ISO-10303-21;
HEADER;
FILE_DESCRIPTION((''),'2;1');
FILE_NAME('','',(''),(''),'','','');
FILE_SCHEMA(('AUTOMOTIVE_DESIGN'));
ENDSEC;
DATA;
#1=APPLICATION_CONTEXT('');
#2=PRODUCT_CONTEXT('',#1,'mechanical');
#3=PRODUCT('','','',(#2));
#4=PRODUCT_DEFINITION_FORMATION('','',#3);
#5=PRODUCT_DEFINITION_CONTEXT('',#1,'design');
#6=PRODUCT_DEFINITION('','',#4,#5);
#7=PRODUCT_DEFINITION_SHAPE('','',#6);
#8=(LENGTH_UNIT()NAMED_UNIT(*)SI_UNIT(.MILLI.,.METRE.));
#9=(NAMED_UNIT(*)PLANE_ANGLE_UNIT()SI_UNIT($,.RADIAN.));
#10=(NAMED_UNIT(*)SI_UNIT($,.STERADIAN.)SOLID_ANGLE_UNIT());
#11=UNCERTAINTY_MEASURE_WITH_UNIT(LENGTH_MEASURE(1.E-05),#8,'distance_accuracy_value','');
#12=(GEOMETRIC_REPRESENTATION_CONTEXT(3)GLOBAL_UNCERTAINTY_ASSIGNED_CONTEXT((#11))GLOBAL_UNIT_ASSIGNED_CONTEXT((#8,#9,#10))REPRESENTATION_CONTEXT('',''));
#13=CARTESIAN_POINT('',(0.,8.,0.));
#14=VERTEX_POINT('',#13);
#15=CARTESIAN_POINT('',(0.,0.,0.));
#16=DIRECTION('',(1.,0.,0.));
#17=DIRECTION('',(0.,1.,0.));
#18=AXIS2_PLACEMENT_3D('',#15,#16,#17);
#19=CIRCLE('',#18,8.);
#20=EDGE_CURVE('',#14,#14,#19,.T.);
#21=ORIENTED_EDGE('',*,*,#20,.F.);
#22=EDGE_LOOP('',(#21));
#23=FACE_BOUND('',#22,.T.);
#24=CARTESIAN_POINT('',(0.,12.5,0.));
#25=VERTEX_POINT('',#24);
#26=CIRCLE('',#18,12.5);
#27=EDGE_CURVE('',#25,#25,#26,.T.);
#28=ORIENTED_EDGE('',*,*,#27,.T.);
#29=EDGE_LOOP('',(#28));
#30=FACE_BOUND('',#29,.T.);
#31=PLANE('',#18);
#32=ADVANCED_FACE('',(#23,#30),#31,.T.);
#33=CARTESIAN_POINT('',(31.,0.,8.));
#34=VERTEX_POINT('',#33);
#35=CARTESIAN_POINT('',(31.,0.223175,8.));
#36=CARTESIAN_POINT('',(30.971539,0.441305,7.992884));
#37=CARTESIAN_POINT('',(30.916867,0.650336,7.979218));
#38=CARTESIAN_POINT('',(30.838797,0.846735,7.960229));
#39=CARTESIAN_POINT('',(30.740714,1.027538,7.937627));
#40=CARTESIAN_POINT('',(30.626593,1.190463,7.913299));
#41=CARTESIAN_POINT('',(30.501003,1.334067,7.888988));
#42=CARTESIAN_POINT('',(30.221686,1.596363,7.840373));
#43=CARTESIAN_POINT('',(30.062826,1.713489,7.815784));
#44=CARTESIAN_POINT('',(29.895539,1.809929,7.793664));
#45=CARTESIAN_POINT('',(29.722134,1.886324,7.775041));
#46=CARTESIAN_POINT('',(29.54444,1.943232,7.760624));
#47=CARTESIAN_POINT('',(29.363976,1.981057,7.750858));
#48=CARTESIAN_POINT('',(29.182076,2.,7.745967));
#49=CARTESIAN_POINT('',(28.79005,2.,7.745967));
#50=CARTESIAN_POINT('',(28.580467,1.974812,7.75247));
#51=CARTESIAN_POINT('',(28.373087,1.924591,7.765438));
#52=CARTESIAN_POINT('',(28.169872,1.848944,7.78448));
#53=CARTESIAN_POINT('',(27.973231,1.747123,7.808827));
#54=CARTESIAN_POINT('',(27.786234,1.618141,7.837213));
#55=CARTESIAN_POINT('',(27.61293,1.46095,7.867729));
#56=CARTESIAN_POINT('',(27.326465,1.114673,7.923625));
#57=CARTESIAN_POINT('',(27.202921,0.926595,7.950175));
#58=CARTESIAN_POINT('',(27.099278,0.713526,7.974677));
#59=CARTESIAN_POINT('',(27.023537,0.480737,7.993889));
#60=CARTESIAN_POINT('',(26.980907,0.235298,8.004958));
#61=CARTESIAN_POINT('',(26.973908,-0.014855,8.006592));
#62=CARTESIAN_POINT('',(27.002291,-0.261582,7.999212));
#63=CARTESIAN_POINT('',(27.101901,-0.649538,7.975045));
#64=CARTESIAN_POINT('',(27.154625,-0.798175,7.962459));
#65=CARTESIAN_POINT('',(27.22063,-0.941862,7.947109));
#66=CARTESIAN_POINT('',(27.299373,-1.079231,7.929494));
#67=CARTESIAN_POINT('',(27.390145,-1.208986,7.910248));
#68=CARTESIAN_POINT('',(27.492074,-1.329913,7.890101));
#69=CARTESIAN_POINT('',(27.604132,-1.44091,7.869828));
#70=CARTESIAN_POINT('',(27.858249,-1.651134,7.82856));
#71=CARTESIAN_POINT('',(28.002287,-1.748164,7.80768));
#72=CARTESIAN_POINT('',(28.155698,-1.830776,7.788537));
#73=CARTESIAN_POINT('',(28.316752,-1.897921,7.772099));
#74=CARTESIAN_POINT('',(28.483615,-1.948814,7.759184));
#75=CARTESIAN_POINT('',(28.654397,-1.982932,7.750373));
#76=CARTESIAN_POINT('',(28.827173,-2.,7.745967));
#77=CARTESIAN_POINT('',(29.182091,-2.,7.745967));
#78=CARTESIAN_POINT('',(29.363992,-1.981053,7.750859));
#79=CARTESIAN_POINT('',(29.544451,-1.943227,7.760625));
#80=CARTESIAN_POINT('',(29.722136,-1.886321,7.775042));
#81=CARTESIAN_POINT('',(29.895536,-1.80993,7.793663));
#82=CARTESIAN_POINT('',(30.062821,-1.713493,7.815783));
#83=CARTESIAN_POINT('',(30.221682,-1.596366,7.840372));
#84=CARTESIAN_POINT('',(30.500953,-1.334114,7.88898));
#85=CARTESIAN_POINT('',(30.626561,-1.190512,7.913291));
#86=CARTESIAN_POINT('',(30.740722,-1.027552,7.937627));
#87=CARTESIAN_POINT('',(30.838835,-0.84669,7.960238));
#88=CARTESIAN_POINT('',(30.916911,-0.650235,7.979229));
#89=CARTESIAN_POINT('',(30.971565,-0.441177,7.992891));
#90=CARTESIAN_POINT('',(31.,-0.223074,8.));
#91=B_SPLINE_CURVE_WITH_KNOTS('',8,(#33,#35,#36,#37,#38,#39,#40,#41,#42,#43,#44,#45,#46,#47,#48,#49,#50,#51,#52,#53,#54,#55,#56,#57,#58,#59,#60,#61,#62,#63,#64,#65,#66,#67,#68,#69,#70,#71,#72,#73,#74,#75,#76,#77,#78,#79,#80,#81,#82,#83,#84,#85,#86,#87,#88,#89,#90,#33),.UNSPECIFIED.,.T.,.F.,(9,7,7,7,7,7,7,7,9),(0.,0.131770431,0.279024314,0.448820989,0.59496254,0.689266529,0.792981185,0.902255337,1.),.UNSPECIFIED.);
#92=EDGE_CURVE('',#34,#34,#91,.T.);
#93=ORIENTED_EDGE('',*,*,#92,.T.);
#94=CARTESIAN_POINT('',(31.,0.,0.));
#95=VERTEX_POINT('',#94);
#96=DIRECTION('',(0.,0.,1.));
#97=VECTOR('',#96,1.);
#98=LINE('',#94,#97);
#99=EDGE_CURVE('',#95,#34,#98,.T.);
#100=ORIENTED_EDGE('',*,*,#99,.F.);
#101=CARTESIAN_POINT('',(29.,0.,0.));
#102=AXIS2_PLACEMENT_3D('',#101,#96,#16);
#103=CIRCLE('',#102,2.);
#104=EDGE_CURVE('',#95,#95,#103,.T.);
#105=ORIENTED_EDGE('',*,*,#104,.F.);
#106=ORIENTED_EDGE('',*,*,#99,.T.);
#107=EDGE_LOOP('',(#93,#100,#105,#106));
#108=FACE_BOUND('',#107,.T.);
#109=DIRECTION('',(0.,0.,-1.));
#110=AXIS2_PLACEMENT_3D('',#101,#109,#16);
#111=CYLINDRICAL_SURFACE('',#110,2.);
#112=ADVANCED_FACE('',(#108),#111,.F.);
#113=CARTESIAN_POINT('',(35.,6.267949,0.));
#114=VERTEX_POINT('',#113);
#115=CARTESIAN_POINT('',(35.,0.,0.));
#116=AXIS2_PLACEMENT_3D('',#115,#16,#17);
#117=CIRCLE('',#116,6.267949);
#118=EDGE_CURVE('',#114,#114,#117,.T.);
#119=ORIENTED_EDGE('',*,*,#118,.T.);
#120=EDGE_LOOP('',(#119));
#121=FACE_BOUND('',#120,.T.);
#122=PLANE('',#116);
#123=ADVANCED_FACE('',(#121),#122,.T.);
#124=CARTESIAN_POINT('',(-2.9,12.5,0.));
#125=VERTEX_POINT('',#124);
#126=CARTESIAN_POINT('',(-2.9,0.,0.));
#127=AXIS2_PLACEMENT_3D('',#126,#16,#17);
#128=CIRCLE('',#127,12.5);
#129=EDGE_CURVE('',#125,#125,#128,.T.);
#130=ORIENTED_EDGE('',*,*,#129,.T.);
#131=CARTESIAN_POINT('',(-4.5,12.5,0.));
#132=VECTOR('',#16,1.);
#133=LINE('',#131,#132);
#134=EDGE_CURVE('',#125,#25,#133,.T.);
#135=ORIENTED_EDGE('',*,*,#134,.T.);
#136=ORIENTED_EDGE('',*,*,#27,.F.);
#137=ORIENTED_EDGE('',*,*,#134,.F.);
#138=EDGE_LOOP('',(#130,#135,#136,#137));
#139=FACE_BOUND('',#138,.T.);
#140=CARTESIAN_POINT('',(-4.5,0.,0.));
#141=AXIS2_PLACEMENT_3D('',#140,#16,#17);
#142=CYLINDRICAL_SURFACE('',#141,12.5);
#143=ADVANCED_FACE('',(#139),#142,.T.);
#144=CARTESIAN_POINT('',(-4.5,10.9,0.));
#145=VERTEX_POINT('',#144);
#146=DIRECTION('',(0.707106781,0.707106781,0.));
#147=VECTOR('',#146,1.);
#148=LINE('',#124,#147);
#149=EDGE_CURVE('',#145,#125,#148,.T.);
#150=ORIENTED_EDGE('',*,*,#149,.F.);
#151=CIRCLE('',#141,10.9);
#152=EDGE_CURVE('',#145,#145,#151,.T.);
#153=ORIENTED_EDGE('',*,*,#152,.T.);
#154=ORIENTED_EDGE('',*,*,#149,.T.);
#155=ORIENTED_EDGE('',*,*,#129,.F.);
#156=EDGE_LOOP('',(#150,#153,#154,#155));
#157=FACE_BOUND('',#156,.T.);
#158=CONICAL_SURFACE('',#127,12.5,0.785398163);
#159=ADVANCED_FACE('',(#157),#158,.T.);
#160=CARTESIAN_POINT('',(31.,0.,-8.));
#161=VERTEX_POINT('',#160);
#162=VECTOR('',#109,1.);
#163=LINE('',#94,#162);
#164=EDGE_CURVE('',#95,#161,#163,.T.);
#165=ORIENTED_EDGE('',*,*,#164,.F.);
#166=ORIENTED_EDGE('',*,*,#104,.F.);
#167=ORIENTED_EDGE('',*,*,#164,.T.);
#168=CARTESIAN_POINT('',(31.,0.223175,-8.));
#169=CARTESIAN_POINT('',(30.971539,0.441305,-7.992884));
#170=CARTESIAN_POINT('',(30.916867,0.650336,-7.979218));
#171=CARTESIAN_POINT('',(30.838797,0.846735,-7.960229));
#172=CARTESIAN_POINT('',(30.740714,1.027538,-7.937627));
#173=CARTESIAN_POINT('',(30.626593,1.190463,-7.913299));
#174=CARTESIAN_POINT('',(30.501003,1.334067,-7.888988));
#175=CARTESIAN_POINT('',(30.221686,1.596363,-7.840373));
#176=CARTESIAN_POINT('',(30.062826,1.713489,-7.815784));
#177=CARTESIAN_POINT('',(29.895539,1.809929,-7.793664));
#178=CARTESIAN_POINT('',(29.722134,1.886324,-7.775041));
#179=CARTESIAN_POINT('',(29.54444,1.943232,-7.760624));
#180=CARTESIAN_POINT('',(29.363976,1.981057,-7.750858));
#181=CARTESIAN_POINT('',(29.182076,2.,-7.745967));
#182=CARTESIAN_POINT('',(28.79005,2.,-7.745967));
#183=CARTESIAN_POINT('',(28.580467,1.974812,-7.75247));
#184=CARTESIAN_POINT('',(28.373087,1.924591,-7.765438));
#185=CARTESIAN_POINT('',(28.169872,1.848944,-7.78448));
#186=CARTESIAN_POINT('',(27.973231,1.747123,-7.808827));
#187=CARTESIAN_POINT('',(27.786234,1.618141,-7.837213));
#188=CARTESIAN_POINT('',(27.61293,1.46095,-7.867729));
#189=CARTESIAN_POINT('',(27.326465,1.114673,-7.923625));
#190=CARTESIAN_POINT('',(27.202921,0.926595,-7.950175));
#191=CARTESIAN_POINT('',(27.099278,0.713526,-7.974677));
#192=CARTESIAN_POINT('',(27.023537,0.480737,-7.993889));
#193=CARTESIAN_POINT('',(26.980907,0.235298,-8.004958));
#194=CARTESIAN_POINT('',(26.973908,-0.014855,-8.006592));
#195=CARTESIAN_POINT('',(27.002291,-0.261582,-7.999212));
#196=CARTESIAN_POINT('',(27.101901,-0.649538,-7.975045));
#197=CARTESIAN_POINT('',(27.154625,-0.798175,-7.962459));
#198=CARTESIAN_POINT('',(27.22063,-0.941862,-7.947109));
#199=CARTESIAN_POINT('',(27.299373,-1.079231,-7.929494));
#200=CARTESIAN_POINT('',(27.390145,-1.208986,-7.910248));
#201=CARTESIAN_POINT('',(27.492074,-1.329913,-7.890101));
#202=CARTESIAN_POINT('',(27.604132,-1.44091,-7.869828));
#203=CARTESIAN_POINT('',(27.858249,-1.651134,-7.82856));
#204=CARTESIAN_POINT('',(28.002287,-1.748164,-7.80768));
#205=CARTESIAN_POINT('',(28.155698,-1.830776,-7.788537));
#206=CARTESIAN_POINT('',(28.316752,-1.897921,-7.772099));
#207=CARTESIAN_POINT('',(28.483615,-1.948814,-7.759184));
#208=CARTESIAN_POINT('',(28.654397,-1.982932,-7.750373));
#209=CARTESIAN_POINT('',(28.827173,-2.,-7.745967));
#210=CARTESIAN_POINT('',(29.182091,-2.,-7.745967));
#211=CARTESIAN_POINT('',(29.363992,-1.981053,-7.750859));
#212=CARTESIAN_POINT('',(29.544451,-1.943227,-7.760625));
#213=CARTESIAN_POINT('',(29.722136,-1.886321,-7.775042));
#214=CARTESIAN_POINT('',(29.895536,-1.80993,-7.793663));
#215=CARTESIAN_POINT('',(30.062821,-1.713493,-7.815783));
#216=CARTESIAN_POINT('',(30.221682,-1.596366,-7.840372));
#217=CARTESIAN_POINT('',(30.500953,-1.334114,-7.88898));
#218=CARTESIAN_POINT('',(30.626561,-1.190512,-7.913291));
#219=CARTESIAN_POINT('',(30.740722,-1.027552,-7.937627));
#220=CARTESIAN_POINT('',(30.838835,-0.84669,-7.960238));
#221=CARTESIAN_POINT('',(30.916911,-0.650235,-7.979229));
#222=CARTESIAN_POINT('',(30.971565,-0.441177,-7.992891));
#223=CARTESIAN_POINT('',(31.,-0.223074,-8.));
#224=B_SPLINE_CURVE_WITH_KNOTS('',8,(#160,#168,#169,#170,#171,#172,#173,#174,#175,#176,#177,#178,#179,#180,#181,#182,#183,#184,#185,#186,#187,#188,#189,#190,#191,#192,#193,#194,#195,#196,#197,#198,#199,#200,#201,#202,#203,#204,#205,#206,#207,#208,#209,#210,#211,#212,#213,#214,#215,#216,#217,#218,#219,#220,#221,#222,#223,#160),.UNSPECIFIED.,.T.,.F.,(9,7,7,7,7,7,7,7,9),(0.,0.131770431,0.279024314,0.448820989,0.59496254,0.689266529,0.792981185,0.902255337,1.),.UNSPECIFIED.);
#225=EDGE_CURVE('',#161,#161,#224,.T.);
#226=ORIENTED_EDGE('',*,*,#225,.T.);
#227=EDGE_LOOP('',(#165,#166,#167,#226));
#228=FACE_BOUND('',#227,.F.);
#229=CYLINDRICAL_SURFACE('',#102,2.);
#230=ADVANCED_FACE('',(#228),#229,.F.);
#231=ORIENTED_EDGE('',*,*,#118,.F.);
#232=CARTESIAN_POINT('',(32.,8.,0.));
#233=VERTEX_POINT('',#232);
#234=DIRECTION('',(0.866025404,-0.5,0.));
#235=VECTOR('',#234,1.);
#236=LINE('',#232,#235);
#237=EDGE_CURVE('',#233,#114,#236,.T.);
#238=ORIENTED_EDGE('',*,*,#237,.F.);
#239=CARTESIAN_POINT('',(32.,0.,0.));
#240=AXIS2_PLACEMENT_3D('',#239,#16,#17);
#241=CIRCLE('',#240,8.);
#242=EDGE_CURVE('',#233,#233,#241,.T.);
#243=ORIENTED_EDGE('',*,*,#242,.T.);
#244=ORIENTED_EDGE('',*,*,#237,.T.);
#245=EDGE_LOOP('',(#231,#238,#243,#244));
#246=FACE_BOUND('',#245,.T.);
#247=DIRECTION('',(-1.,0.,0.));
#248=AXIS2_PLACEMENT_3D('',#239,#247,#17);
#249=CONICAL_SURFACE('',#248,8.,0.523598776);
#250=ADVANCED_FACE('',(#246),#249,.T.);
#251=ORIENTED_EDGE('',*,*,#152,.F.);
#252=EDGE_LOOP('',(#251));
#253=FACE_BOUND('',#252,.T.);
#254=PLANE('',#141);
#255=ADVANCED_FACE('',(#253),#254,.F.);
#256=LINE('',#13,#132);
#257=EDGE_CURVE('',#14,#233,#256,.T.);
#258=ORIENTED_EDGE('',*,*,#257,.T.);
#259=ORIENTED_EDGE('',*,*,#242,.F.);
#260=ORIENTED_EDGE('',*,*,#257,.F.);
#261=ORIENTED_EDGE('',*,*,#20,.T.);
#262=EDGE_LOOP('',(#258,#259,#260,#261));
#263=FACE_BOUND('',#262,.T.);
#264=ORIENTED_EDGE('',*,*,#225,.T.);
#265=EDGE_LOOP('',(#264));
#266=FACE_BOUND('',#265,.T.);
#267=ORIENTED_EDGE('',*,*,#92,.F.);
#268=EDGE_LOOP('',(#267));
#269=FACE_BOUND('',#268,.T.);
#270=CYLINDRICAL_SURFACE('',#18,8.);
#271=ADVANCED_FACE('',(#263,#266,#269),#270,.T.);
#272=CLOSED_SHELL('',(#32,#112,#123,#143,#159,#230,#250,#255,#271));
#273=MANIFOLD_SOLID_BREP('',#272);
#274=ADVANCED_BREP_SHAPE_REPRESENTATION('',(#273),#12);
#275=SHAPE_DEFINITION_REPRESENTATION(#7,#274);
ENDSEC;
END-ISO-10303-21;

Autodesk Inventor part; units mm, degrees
ref_plane "YZ Plane" through (0, 0, 0) normal (1, 0, 0) x (0, 1, 0)
ref_plane "XZ Plane" through (0, 0, 0) normal (0, 1, 0) x (-1, 0, 0)
sketch "Sketch1" plane through (0, 0, 0) normal (0, 0, 1) x (1, 0, 0)
  line L0 (-4.5, 0) -> (-4.5, 12.5)
  line L1 (-4.5, 12.5) -> (0, 12.5)
  line L2 (0, 12.5) -> (0, 8)
  line L3 (0, 8) -> (35, 8)
  line L4 (35, 8) -> (35, 0)
  line L5 (-4.5, 0) -> (35, 0)
  line L6 (-4, 0) -> (17, 0) projected
  line L7 (0, -0.98) -> (0, 3.08) projected
  circle A0 centre (29, 0) radius 2
  dimension "d0" = 16
  dimension "d1" = 25
  dimension "d2" = 4.5
  dimension "d3" = 35
  dimension "d5" = 6
  dimension "d6" = 4
revolve "Body" add sketch "Sketch1" angle 360 about axis through (-4.5, 0, 0) along (1, 0, 0) picked at (28.3903, 0.4694) contours L0 L1 L2 L3 L4 L5 A0 | A0 L5
extrude "Hole" cut sketch "Sketch1" along normal through all both and the other way through all contours A0 L5 | L5 A0
chamfer "Chamfer1" distance 1.6 angle 45 1 edges at (-4.5, -12.5, 0) measured on face at (-3, 12.4595, -1.0058)
chamfer "Chamfer2" distance 3 angle 30 1 edges at (35, -8, 0) measured on face at (11.6667, 7.9741, -0.6437)
ref_plane "Work Plane1" through (17.5, 0, 8) normal (0, 0, 1) x (1, 0, 0)
equation "\"d0\" = NND"
equation "\"d1\" = KOD"
equation "\"d2\" = KOH"
equation "\"d3\" = NLG"
equation "\"d5\" = DIST"
equation "\"d6\" = BOR"
equation "\"d7\" = NND"
equation "\"d9\" = PHH2"
equation "\"d10\" = FAWI2"
equation "\"d16\" = PHH2"
equation "\"d11\" = PHH1"
equation "\"d12\" = FAWI1"
equation "\"d17\" = PHH1"
equation "\"PHH1\" = 3"
equation "\"PHH2\" = 1.6"
equation "\"KOD\" = 25"
equation "\"KOH\" = 4.5"
equation "\"NND\" = 16"
equation "\"FAWI1\" = 30deg"
equation "\"FAWI2\" = 45deg"
equation "\"DIST\" = 6"
equation "\"BOR\" = 4"
equation "\"NLG\" = 35"
properties part number "ISO 2341 - B - 16 x 35" material "Steel"
